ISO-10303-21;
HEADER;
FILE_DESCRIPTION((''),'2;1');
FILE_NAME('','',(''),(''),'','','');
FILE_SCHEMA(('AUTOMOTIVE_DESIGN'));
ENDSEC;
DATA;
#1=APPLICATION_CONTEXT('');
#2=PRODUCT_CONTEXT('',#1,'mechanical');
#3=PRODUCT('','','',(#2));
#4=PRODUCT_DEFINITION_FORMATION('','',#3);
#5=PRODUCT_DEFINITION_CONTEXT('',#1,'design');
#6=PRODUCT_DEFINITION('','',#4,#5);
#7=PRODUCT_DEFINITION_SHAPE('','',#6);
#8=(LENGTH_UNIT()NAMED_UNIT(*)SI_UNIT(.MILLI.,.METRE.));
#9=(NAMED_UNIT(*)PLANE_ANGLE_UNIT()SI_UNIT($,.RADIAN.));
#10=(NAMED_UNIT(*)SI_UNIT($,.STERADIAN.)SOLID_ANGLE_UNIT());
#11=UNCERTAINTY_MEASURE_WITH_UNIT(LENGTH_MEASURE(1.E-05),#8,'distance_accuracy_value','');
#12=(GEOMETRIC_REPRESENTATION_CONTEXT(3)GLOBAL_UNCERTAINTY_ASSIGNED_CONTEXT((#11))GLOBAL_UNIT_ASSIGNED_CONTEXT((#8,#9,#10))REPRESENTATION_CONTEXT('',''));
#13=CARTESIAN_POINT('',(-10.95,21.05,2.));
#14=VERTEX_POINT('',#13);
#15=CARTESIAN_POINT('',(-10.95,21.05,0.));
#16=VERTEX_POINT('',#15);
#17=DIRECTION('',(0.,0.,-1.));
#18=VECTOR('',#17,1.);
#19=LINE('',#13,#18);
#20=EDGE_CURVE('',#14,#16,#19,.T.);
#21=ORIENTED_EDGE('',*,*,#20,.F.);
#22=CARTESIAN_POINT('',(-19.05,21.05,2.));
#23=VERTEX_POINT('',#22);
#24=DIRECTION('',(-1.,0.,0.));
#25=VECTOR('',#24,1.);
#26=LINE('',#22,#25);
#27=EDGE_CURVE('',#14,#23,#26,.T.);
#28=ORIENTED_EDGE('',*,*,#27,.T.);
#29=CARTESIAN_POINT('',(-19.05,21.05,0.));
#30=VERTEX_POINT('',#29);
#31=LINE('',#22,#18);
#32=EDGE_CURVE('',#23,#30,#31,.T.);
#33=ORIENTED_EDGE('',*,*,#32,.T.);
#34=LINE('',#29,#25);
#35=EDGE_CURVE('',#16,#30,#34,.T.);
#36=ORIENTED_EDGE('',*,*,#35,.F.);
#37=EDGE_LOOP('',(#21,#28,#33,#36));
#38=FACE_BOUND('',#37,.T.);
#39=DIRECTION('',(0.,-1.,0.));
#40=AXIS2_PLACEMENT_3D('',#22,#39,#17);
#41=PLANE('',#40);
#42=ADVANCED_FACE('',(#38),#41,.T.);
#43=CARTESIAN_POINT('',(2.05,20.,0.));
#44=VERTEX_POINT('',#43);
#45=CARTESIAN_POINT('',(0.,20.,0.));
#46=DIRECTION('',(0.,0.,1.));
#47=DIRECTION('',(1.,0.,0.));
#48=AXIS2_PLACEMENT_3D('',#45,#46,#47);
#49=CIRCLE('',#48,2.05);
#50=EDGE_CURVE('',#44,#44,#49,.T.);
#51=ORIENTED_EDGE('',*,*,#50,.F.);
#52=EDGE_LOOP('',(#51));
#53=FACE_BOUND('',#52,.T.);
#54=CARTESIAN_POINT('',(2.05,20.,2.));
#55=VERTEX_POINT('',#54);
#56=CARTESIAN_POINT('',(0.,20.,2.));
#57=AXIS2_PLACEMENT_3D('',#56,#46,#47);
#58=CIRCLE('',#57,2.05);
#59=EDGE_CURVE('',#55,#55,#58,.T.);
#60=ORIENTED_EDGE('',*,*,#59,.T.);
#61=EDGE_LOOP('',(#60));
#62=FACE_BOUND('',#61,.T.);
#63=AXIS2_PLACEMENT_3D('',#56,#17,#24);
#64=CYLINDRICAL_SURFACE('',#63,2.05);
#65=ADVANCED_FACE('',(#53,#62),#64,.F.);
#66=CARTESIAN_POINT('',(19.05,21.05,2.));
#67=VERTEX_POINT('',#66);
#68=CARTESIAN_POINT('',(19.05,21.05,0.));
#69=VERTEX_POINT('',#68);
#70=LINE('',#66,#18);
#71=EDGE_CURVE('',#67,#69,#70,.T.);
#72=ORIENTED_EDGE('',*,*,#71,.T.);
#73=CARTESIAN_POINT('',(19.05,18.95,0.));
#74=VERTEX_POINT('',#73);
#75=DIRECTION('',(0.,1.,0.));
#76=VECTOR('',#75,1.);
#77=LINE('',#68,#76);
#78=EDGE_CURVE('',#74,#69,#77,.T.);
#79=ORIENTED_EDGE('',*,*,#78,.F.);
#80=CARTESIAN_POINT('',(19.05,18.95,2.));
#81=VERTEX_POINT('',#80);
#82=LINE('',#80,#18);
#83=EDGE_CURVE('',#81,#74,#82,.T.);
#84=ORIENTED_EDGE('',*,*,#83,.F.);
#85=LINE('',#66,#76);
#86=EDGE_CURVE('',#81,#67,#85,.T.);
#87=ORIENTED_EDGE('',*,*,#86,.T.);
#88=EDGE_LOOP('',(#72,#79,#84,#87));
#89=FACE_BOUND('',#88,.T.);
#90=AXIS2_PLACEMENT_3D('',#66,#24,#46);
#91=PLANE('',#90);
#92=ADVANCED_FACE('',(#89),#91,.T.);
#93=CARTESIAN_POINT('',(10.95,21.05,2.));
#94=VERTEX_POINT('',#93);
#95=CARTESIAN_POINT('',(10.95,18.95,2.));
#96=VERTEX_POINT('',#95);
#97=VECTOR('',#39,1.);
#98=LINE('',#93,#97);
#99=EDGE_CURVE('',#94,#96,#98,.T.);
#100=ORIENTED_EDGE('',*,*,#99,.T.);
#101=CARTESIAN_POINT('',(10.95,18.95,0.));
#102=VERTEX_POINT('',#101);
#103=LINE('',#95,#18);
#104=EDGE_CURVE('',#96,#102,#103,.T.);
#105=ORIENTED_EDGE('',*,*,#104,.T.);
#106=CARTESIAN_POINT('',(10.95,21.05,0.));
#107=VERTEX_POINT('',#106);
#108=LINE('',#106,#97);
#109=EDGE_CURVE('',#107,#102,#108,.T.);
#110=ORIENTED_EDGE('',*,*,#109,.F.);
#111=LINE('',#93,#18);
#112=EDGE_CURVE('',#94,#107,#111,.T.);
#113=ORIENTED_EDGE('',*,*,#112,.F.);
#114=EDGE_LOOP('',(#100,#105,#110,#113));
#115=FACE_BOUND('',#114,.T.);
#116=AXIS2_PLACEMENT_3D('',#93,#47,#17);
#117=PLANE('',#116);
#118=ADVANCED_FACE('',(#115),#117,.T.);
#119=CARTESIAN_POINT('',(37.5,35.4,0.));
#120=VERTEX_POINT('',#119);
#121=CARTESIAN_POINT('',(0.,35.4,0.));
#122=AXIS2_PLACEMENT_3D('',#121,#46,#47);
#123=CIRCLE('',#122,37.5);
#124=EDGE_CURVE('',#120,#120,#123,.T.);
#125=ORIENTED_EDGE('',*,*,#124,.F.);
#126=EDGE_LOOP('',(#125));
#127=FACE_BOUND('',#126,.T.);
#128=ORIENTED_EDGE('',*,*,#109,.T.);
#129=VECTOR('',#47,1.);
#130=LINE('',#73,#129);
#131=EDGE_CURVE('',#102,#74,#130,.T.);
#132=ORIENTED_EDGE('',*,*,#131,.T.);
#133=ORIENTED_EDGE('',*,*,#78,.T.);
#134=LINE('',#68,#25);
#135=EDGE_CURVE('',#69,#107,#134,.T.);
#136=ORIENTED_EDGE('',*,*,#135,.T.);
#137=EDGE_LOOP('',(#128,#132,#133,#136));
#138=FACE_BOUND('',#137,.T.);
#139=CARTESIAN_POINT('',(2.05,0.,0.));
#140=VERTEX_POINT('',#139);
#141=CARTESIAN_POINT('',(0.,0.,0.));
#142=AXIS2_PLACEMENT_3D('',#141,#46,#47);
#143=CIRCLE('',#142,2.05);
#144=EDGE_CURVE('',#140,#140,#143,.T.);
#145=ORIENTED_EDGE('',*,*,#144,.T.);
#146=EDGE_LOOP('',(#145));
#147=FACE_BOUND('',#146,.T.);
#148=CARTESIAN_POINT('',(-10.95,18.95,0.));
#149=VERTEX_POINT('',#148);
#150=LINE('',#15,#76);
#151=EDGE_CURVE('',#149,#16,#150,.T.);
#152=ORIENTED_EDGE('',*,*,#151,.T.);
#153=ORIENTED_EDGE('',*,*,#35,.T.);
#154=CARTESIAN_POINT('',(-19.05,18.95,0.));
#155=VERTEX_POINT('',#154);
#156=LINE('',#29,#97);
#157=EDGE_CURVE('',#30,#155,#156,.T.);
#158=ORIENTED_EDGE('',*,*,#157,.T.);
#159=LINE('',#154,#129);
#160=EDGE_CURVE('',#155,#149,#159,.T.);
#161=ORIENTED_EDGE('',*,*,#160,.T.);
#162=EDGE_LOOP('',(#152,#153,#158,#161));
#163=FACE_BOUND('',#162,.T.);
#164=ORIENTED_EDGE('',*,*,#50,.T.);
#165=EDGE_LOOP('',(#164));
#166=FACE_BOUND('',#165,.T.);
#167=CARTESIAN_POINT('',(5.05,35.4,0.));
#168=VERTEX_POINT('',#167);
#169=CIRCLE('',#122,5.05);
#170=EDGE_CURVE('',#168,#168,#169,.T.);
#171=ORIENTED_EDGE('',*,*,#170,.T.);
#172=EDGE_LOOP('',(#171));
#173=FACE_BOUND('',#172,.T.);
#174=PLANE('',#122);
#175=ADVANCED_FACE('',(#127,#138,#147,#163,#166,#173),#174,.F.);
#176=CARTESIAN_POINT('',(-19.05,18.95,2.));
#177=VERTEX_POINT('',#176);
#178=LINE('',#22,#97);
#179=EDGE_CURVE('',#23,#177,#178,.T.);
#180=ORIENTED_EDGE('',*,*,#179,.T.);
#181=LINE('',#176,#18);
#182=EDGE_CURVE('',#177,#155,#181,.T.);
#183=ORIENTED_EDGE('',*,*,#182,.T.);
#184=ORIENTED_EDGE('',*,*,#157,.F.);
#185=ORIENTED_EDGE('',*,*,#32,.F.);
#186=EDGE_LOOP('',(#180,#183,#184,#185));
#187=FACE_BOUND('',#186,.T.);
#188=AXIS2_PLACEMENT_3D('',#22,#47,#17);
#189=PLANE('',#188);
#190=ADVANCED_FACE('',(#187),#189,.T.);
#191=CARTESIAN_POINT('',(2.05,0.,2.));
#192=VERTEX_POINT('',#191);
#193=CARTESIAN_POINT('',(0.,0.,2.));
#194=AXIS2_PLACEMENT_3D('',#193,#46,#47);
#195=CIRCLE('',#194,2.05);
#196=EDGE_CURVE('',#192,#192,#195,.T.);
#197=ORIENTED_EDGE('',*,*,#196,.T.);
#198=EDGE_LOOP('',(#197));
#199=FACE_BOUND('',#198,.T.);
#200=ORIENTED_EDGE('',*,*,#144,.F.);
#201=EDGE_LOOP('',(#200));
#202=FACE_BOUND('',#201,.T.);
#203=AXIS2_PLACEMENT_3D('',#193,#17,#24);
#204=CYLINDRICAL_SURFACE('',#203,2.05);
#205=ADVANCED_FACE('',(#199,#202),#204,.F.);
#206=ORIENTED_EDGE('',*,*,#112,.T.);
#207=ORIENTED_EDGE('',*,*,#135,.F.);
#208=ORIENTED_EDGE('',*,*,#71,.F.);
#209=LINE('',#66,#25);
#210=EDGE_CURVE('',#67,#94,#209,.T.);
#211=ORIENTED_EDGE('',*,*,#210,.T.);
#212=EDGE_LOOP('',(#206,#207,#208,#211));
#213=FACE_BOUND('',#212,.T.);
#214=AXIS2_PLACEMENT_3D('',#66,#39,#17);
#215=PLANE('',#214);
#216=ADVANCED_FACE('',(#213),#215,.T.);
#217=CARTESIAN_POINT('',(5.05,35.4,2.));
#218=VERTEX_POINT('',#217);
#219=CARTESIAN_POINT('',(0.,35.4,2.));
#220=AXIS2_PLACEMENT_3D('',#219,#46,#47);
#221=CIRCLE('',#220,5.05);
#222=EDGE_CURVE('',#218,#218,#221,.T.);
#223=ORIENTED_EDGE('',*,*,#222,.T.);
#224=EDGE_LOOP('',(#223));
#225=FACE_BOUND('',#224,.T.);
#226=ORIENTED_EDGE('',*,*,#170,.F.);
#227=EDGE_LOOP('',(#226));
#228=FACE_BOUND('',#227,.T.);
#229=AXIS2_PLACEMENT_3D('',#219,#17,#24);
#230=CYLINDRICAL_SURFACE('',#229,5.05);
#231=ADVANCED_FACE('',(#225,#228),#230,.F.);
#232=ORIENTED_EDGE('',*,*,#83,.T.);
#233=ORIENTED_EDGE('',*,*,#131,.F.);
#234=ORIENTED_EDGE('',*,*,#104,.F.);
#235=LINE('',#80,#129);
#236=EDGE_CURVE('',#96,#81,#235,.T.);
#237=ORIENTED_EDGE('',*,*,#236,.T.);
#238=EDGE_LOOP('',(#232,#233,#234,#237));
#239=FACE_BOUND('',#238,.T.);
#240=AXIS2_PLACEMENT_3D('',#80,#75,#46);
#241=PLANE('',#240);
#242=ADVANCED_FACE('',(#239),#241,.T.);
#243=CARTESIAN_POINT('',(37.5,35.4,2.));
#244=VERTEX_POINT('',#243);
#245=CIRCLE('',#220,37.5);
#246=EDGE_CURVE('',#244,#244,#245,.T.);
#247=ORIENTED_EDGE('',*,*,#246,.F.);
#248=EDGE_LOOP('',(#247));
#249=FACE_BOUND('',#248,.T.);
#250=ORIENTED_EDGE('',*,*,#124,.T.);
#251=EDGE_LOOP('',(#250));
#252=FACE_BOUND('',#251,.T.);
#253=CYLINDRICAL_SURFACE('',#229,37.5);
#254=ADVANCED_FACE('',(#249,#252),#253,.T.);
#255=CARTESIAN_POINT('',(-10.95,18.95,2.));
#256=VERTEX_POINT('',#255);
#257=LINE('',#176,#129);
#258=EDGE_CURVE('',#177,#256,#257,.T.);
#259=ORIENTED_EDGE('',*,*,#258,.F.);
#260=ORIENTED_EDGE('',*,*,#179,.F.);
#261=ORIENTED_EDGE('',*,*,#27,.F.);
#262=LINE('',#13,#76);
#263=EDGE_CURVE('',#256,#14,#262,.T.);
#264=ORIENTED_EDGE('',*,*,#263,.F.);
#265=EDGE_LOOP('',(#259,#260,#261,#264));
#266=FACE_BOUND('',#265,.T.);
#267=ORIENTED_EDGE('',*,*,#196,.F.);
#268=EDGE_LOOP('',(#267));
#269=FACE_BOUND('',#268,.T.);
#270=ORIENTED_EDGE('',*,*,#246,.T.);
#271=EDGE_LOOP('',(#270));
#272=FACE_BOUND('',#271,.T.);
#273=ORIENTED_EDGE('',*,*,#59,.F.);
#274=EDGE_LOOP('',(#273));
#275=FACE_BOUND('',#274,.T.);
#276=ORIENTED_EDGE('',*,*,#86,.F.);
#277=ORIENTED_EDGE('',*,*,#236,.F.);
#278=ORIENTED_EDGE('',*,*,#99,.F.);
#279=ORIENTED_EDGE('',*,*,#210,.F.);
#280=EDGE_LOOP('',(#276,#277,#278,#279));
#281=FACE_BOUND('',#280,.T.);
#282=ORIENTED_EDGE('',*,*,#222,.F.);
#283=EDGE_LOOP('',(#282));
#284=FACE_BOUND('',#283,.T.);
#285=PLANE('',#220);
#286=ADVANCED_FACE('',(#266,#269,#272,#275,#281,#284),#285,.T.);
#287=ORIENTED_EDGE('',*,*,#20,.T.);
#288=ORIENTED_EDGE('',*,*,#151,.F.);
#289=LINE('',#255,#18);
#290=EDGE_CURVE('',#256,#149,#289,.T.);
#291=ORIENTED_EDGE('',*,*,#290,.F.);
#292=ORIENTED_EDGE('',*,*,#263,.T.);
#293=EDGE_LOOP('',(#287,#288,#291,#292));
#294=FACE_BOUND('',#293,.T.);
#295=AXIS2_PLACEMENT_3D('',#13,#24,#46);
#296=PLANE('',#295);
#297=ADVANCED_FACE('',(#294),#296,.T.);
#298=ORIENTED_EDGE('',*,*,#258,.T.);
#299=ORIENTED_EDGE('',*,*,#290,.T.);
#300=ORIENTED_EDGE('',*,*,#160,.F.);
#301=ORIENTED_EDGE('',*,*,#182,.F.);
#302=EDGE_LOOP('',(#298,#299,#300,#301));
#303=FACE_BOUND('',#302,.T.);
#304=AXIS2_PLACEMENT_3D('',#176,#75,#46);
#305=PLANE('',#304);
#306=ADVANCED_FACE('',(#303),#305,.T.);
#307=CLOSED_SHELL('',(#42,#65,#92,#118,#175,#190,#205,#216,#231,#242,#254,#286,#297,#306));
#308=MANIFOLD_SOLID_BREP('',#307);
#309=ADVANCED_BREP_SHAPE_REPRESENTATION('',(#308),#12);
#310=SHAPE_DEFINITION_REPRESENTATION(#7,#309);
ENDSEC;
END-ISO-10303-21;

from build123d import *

# Parameters (mm, degrees)
SKETCH_1_R      = 37.5
SKETCH_1_R_2    = 2.05
SKETCH_1_R_3    = 5.05
SKETCH_1_W      = 8.1
SKETCH_1_H      = 2.1
EXTRUDE_1_DEPTH = 2


with BuildPart() as part:
    # 草图1 → 凸台-拉伸1 (new body)
    with BuildSketch(Plane.XY):
        with Locations((0, 35.4)):
            Circle(SKETCH_1_R)
        Circle(SKETCH_1_R_2, mode=Mode.SUBTRACT)
        with Locations((0, 20)):
            Circle(SKETCH_1_R_2, mode=Mode.SUBTRACT)
        with Locations((0, 35.4)):
            Circle(SKETCH_1_R_3, mode=Mode.SUBTRACT)
        with Locations((-15, 20)):
            Rectangle(SKETCH_1_W, SKETCH_1_H, mode=Mode.SUBTRACT)
        with Locations((15, 20)):
            Rectangle(SKETCH_1_W, SKETCH_1_H, mode=Mode.SUBTRACT)
    extrude(amount=EXTRUDE_1_DEPTH)


solid = part.part
